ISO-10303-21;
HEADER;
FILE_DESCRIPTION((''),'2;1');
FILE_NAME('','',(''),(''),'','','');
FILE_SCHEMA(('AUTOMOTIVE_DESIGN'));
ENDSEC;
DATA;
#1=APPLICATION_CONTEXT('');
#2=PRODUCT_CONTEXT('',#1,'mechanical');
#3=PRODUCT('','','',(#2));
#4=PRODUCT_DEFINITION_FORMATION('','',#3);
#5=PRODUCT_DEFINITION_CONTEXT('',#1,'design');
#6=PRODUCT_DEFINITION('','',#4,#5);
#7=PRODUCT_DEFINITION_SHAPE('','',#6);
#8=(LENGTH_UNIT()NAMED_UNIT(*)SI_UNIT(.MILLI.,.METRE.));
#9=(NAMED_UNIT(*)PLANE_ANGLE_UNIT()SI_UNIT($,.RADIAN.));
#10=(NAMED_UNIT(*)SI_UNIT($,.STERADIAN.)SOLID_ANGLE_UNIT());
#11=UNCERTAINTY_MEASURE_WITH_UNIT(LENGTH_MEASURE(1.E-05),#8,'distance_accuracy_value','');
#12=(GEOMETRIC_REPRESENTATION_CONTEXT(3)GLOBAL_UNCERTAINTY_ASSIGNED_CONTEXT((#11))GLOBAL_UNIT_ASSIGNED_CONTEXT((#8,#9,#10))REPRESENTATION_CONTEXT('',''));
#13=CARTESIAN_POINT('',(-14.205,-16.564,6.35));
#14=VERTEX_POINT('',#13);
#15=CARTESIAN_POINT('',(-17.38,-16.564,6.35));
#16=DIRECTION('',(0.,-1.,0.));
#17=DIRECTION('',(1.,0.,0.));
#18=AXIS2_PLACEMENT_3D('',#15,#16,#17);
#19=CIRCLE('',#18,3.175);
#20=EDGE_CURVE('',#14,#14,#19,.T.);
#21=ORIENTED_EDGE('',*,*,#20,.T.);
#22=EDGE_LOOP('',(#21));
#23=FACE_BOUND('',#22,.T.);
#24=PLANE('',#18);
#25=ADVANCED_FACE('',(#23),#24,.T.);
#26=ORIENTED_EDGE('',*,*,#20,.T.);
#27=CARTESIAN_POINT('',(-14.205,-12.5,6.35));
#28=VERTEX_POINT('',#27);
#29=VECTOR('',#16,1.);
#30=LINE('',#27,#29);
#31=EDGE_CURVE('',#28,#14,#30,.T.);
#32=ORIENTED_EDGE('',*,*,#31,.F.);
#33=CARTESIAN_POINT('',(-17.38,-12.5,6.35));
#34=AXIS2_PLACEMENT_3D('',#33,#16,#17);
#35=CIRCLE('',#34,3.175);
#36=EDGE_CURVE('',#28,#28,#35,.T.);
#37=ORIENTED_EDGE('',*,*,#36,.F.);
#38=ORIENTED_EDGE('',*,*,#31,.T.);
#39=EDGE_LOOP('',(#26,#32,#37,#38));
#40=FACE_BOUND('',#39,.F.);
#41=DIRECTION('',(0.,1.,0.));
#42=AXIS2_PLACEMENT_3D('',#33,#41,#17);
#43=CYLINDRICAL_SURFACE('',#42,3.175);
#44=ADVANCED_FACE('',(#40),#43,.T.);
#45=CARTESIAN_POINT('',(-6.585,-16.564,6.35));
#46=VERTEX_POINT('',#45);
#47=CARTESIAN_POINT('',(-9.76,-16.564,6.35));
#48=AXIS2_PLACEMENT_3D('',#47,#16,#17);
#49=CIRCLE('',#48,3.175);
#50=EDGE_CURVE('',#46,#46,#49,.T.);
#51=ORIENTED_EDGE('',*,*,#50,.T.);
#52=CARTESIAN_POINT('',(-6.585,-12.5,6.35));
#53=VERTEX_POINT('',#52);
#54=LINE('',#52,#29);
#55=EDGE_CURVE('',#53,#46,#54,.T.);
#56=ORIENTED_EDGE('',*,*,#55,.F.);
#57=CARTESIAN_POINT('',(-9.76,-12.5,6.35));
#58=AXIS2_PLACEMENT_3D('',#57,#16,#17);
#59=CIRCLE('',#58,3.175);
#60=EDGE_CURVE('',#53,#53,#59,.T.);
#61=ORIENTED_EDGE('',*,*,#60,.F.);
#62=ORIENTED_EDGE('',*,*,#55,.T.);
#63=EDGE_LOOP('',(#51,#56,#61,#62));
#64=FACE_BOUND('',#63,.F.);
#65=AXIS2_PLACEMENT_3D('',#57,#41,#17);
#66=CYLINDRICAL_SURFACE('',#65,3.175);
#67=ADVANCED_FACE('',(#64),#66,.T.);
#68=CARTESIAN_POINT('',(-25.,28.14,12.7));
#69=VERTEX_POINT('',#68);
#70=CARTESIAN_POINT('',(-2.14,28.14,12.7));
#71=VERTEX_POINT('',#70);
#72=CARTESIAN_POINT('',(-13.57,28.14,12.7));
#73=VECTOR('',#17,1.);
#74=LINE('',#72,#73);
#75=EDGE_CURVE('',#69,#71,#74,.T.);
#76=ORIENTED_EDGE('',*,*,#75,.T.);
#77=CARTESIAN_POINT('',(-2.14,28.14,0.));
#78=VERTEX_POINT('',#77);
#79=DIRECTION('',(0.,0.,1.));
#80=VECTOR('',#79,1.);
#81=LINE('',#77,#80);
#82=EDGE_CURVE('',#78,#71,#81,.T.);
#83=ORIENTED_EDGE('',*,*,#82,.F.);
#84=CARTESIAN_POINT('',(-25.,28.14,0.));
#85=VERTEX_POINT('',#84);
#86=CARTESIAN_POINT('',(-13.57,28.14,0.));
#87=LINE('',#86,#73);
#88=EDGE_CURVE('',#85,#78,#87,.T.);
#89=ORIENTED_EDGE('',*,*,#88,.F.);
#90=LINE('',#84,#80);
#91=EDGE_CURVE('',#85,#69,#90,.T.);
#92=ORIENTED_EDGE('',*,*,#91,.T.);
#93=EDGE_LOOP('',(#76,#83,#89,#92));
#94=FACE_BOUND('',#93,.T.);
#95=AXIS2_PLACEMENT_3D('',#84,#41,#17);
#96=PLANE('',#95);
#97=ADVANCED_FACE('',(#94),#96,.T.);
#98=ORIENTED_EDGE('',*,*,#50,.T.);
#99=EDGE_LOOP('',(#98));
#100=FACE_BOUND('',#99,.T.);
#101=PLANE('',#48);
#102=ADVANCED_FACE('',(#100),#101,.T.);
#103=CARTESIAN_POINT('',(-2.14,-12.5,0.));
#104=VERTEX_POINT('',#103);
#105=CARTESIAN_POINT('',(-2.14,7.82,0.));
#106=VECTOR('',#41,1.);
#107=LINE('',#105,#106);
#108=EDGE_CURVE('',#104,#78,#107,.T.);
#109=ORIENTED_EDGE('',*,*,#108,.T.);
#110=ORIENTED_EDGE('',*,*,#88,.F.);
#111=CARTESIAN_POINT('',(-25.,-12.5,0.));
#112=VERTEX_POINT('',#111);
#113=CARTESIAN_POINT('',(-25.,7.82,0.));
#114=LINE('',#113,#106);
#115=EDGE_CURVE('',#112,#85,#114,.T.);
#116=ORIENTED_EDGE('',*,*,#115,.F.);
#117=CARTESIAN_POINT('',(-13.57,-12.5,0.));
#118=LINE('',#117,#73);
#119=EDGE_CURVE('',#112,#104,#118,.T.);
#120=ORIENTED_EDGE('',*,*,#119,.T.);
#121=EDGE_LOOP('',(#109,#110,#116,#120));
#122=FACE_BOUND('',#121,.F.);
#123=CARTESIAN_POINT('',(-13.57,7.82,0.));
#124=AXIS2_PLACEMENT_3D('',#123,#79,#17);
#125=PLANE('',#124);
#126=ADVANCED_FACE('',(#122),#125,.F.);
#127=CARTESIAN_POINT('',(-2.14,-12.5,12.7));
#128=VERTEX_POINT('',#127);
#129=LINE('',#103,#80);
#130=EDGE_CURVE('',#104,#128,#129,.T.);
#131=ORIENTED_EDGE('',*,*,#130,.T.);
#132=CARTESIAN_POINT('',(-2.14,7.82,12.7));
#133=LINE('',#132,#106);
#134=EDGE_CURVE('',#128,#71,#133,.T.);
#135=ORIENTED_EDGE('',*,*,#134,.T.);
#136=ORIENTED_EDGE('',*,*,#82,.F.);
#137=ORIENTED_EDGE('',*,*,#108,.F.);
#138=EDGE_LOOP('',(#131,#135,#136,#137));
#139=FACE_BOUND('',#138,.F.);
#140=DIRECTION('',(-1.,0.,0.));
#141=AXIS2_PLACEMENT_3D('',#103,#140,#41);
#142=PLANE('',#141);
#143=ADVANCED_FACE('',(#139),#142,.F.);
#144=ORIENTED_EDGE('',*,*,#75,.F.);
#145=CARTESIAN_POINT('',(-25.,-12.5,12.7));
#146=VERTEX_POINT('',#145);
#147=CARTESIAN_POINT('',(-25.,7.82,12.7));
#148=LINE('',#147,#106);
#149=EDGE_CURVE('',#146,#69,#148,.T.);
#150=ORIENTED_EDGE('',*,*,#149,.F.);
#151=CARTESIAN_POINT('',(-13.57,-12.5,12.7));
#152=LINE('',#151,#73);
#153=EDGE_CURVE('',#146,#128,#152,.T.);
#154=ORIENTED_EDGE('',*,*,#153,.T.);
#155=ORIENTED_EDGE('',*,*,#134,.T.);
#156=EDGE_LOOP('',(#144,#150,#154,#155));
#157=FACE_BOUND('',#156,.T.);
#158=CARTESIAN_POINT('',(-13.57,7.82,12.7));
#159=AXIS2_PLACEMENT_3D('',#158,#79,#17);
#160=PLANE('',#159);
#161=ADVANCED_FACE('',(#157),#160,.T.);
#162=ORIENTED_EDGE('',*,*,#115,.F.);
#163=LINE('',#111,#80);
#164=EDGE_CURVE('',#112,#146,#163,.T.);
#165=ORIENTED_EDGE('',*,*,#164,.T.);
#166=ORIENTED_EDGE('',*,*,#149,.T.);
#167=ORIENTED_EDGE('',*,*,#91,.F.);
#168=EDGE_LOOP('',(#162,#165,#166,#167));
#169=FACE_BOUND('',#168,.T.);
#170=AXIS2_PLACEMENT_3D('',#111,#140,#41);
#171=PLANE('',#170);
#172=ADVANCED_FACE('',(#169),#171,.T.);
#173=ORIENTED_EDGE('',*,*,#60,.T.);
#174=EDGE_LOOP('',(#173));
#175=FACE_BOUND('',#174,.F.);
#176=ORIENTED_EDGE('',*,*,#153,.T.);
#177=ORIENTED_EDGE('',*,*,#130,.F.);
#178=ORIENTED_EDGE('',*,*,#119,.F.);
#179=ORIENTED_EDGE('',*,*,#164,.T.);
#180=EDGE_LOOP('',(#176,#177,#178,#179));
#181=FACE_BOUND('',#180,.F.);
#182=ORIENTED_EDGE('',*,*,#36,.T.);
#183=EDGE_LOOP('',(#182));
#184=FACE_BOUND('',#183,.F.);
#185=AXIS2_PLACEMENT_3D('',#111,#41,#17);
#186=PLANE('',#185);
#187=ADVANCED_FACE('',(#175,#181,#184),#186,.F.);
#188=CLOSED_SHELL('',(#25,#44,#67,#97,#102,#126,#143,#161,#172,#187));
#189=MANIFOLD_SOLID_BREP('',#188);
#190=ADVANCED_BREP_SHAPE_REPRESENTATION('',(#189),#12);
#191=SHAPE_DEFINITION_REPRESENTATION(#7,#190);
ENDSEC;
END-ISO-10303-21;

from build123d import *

# Parameters (mm, degrees)
F0_W     = 22.86
F0_H     = 40.64
F1_DEPTH = 12.7
F2_R     = 3.175
F3_DEPTH = 4.064


with BuildPart() as f1:
    # F0 (on Top) → F1 (new body)
    with BuildSketch(Plane.XY):
        with Locations((-13.57, 7.82)):
            Rectangle(F0_W, F0_H)
    extrude(amount=F1_DEPTH)

    # F2 (on face) → F3 (join)
    with BuildSketch(Plane.XZ.offset(12.5)):
        with Locations((-17.38, 6.35)):
            Circle(F2_R)
        with Locations((-9.76, 6.35)):
            Circle(F2_R)
    extrude(amount=F3_DEPTH)


solid = f1.part
